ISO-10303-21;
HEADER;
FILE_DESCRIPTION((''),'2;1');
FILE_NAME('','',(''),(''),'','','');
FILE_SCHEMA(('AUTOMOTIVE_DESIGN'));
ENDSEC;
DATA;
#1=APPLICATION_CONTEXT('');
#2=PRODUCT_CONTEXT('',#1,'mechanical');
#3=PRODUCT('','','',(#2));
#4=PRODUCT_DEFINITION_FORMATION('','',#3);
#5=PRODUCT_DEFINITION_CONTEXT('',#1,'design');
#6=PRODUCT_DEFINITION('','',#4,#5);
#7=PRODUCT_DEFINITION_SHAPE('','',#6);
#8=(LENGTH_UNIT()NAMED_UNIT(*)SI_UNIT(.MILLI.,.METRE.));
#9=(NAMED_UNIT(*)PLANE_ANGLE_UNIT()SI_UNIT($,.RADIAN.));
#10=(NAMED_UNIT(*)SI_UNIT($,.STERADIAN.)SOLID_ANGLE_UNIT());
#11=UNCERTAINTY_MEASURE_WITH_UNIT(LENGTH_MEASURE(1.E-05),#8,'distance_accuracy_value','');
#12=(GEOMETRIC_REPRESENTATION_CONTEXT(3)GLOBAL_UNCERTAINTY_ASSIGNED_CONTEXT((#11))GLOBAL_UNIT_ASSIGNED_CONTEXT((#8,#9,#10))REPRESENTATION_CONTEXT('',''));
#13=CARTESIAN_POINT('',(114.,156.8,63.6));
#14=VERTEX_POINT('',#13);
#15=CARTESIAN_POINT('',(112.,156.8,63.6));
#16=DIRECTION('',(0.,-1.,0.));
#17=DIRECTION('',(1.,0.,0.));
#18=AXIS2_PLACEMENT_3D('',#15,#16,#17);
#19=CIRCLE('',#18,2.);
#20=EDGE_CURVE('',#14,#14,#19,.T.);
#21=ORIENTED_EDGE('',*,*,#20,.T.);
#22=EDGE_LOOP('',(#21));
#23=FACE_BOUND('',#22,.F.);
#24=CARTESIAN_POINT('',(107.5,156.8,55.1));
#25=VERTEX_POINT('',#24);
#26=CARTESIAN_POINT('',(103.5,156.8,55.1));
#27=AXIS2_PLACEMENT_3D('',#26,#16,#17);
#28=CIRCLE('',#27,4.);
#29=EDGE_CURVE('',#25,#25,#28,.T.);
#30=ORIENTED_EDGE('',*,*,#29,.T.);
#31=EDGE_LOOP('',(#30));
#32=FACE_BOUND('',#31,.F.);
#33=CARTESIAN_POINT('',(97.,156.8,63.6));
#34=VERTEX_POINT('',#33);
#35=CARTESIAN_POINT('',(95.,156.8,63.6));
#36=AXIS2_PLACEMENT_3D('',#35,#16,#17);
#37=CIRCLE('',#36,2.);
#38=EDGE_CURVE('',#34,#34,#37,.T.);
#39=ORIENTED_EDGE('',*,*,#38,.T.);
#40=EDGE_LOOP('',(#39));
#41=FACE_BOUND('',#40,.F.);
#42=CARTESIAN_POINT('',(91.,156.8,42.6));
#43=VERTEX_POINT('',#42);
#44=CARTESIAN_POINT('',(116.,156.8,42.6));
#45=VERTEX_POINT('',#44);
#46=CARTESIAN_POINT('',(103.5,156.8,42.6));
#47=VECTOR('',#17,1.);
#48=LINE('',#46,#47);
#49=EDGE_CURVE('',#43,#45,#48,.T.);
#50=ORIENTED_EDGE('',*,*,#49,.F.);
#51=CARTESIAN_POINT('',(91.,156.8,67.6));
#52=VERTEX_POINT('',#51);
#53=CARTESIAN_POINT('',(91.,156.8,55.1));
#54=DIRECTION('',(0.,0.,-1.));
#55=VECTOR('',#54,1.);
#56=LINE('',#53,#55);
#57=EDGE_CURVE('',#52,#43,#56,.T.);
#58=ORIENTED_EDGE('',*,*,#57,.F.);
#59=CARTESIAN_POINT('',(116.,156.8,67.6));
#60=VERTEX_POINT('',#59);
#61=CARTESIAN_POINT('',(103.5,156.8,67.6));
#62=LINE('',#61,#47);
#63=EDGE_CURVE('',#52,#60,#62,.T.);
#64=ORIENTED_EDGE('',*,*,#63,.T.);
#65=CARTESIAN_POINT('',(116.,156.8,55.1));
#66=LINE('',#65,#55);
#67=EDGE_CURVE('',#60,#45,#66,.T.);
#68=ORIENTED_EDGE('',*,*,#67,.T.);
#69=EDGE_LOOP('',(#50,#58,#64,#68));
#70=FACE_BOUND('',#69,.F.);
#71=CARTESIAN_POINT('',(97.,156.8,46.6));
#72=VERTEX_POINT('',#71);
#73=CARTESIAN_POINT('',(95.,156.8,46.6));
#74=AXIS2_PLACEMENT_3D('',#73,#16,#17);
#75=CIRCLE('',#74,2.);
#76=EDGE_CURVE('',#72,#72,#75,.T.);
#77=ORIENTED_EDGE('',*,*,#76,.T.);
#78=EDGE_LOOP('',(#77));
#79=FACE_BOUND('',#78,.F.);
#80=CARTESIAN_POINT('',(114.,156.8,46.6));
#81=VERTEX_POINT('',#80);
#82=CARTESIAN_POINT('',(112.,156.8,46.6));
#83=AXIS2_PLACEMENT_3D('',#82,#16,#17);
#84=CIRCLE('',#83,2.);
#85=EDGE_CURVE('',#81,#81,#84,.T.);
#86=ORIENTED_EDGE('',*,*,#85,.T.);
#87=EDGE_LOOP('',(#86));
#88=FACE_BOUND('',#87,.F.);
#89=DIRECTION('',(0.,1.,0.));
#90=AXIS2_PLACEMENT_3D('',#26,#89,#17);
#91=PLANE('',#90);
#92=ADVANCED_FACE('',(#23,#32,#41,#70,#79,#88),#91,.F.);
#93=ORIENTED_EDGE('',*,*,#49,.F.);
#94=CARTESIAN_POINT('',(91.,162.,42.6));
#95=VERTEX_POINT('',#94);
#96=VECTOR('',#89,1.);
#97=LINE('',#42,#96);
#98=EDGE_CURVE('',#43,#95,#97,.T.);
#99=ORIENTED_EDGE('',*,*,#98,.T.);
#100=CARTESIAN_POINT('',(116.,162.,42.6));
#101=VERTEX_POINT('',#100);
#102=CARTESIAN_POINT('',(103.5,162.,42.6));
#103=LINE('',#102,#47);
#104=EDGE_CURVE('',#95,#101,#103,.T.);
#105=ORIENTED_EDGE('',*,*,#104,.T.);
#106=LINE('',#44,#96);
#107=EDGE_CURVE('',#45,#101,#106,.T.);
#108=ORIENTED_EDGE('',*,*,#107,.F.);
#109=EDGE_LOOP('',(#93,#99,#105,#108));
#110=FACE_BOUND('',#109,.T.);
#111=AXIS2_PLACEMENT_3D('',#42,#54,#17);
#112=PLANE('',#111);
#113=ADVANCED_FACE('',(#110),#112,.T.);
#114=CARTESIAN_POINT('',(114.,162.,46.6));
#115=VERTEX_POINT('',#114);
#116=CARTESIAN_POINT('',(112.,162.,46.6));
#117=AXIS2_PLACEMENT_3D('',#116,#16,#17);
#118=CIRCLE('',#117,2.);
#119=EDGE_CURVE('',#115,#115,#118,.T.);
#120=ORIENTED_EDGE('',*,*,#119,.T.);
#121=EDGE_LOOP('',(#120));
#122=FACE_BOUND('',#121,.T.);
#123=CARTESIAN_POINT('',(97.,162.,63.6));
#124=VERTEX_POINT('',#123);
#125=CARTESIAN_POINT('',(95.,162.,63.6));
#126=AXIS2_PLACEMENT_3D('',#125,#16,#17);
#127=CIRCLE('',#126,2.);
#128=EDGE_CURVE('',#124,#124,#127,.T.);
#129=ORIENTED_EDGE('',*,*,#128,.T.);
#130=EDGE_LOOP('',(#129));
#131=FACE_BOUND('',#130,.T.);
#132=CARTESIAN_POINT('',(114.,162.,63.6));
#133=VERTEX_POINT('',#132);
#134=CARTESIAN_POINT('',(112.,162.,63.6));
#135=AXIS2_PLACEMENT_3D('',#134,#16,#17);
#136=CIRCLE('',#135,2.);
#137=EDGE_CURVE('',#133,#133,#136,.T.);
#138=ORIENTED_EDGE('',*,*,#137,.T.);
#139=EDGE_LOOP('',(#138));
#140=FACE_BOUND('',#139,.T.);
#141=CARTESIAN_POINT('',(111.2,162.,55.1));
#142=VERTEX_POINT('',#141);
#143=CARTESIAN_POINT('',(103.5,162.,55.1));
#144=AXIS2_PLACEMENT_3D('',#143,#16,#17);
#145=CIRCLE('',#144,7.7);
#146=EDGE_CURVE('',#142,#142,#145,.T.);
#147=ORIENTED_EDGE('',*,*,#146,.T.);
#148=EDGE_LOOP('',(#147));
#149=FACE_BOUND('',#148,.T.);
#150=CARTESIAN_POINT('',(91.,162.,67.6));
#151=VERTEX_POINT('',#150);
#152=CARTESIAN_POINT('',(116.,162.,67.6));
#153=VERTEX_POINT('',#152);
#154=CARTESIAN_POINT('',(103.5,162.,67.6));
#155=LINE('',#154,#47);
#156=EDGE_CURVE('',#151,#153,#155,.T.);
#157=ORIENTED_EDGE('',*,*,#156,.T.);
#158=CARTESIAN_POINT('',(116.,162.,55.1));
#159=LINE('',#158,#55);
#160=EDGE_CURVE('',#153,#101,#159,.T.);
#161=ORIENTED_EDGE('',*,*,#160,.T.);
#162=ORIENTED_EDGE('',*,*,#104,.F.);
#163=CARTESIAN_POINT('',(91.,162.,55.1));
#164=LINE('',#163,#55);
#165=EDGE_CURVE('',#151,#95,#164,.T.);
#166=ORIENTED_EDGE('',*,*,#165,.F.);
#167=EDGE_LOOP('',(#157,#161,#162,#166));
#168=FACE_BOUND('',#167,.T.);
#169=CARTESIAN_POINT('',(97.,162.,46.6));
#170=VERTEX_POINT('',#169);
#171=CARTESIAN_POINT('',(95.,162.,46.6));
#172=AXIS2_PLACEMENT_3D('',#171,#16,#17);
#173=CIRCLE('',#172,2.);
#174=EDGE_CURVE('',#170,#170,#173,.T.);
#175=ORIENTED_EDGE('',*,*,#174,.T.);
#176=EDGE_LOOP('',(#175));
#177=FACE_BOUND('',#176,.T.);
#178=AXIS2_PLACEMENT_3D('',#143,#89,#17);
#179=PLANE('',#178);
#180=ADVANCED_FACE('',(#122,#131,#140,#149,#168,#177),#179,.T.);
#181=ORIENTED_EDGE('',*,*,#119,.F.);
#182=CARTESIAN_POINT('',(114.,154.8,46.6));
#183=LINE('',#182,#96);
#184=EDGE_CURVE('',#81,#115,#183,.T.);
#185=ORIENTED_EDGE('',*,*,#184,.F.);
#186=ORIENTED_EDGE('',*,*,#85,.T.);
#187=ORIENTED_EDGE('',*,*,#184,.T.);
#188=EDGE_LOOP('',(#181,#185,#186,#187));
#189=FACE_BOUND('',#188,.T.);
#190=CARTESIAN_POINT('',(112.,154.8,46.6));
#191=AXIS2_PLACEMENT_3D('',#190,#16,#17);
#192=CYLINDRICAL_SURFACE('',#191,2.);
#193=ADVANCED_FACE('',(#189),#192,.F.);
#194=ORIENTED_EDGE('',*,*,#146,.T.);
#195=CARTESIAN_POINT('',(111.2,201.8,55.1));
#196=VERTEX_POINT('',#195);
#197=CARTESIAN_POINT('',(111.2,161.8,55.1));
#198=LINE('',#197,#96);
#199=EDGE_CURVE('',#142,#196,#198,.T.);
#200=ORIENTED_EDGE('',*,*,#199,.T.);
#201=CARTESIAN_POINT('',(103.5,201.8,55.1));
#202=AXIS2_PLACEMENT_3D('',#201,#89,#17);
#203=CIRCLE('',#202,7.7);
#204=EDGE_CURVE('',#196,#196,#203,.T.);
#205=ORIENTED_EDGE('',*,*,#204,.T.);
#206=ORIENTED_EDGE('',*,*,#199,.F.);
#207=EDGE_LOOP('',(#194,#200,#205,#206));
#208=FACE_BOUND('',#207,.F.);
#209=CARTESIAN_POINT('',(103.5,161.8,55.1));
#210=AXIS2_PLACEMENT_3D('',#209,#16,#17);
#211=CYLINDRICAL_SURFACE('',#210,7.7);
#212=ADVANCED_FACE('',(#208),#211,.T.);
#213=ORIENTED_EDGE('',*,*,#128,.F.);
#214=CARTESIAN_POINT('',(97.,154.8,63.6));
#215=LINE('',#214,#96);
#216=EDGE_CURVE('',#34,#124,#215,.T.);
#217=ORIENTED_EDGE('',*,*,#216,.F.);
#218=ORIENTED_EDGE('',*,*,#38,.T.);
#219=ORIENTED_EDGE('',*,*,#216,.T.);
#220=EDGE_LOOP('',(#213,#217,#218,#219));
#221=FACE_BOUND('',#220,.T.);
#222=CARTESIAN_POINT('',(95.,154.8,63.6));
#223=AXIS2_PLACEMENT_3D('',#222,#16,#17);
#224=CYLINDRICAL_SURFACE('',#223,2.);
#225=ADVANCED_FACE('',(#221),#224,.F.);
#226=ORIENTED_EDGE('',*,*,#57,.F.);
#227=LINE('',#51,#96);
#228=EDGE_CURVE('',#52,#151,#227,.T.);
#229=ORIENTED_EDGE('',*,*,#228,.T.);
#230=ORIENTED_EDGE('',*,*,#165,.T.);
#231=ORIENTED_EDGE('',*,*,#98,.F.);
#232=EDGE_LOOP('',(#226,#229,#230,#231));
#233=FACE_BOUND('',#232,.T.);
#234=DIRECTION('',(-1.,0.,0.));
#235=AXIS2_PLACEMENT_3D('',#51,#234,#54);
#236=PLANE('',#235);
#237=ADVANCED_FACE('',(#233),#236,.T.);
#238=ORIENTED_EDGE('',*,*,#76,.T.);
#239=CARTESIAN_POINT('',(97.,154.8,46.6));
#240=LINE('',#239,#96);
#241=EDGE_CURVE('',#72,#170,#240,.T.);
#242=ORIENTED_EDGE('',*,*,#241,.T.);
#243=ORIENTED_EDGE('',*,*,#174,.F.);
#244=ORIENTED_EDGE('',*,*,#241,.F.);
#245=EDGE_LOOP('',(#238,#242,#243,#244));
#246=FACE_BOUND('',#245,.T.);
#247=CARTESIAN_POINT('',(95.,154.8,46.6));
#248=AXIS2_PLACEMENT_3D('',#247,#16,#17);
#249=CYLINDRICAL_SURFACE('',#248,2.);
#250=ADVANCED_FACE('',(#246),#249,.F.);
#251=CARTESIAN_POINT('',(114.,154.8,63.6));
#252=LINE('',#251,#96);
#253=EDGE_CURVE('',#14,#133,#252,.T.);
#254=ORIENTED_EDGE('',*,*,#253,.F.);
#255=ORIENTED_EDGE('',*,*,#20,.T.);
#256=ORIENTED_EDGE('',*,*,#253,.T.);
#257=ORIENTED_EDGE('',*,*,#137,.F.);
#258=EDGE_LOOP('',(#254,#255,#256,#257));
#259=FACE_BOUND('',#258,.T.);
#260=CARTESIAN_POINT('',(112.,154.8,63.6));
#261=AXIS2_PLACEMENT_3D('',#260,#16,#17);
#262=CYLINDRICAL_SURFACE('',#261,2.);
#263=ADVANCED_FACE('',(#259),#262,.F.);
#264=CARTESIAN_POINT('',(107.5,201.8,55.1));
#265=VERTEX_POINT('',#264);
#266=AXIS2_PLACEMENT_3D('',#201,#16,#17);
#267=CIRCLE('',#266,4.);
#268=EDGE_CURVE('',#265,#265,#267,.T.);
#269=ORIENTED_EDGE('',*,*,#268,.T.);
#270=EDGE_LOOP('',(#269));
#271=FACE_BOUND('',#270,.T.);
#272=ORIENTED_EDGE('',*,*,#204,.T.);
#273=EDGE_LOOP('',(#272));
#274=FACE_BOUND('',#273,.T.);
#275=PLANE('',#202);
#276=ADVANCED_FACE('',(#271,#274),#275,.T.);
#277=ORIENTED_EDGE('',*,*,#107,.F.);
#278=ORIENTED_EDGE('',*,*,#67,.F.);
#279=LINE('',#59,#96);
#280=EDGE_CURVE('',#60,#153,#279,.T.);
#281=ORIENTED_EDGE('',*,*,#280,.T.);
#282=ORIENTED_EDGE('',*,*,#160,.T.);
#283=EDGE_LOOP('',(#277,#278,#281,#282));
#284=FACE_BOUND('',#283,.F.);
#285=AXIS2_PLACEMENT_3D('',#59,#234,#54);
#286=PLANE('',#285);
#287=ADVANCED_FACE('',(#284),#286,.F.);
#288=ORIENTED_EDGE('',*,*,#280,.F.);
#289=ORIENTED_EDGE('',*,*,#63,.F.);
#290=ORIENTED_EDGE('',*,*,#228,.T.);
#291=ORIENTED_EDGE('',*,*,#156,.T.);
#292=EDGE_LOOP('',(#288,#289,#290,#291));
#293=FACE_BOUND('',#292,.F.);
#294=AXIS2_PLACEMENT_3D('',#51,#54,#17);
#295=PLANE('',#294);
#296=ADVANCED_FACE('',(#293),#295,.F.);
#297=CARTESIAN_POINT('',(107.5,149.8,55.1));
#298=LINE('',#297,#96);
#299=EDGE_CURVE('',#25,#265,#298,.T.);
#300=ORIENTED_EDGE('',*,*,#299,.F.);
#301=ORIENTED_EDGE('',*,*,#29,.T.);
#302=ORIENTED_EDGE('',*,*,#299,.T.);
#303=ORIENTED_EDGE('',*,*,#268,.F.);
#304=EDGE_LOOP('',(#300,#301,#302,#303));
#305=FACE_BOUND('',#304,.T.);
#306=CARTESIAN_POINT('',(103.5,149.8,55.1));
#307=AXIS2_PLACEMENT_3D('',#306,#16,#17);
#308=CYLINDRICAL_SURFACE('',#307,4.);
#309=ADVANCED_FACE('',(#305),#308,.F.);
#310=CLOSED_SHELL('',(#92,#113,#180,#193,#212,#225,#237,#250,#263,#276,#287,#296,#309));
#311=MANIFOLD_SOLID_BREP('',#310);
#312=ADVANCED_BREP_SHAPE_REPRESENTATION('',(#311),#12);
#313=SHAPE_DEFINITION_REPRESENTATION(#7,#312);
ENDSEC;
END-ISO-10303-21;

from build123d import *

# Parameters (mm, degrees)
CYLINDER166_R          = 2
CYLINDER166_DEPTH      = 10
CYLINDER168_R          = 2
CYLINDER168_DEPTH      = 10
CYLINDER163_R          = 2
CYLINDER163_DEPTH      = 10
CYLINDER164_R          = 2
CYLINDER164_DEPTH      = 10
CYLINDER167_R          = 4
CYLINDER167_DEPTH      = 60
CYLINDER165_R          = 7.7
CYLINDER165_DEPTH      = 40
BOX070_W               = 25
BOX070_H               = 25
BOX070_DEPTH           = 5.2
CUT153_PLACEMENT_ANGLE = 90


with BuildPart() as cylinder166:
    # Cylinder166 → Cylinder166 (new body)
    with BuildSketch(Plane(origin=(21, 21, -2), x_dir=(1, 0, 0), z_dir=(0, 0, 1))):
        Circle(CYLINDER166_R)
    extrude(amount=CYLINDER166_DEPTH)


with BuildPart() as cylinder168:
    # Cylinder168 → Cylinder168 (new body)
    with BuildSketch(Plane(origin=(21, 4, -2), x_dir=(1, 0, 0), z_dir=(0, 0, 1))):
        Circle(CYLINDER168_R)
    extrude(amount=CYLINDER168_DEPTH)


with BuildPart() as cylinder163:
    # Cylinder163 → Cylinder163 (new body)
    with BuildSketch(Plane(origin=(4, 21, -2), x_dir=(1, 0, 0), z_dir=(0, 0, 1))):
        Circle(CYLINDER163_R)
    extrude(amount=CYLINDER163_DEPTH)


with BuildPart() as cylinder164:
    # Cylinder164 → Cylinder164 (new body)
    with BuildSketch(Plane(origin=(4, 4, -2), x_dir=(1, 0, 0), z_dir=(0, 0, 1))):
        Circle(CYLINDER164_R)
    extrude(amount=CYLINDER164_DEPTH)


with BuildPart() as cylinder167:
    # Cylinder167 → Cylinder167 (new body)
    with BuildSketch(Plane(origin=(12.5, 12.5, -7), x_dir=(1, 0, 0), z_dir=(0, 0, 1))):
        Circle(CYLINDER167_R)
    extrude(amount=CYLINDER167_DEPTH)


with BuildPart() as cylinder165:
    # Cylinder165 → Cylinder165 (new body)
    with BuildSketch(Plane(origin=(12.5, 12.5, 5), x_dir=(1, 0, 0), z_dir=(0, 0, 1))):
        Circle(CYLINDER165_R)
    extrude(amount=CYLINDER165_DEPTH)


with BuildPart() as cut153:
    # Box070 → Box070 (new body)
    with BuildSketch(Plane.XY):
        with Locations((12.5, 12.5)):
            Rectangle(BOX070_W, BOX070_H)
    extrude(amount=BOX070_DEPTH)

    # Fusion083: union Cylinder165
    add(cylinder165.part)

    # Cut152: cut Cylinder167
    add(cylinder167.part, mode=Mode.SUBTRACT)

    # Cut154: cut Cylinder164
    add(cylinder164.part, mode=Mode.SUBTRACT)

    # Cut151: cut Cylinder163
    add(cylinder163.part, mode=Mode.SUBTRACT)

    # Cut150: cut Cylinder168
    add(cylinder168.part, mode=Mode.SUBTRACT)

    # Cut153: cut Cylinder166
    add(cylinder166.part, mode=Mode.SUBTRACT)


with BuildPart() as cut153_1:
    # Cut153 placement: moved
    add(cut153.part.moved(Location((91, 156.8, 67.6))).rotate(Axis((91, 156.8, 67.6), (-1, 0, 0)), CUT153_PLACEMENT_ANGLE))


solid = cut153_1.part
